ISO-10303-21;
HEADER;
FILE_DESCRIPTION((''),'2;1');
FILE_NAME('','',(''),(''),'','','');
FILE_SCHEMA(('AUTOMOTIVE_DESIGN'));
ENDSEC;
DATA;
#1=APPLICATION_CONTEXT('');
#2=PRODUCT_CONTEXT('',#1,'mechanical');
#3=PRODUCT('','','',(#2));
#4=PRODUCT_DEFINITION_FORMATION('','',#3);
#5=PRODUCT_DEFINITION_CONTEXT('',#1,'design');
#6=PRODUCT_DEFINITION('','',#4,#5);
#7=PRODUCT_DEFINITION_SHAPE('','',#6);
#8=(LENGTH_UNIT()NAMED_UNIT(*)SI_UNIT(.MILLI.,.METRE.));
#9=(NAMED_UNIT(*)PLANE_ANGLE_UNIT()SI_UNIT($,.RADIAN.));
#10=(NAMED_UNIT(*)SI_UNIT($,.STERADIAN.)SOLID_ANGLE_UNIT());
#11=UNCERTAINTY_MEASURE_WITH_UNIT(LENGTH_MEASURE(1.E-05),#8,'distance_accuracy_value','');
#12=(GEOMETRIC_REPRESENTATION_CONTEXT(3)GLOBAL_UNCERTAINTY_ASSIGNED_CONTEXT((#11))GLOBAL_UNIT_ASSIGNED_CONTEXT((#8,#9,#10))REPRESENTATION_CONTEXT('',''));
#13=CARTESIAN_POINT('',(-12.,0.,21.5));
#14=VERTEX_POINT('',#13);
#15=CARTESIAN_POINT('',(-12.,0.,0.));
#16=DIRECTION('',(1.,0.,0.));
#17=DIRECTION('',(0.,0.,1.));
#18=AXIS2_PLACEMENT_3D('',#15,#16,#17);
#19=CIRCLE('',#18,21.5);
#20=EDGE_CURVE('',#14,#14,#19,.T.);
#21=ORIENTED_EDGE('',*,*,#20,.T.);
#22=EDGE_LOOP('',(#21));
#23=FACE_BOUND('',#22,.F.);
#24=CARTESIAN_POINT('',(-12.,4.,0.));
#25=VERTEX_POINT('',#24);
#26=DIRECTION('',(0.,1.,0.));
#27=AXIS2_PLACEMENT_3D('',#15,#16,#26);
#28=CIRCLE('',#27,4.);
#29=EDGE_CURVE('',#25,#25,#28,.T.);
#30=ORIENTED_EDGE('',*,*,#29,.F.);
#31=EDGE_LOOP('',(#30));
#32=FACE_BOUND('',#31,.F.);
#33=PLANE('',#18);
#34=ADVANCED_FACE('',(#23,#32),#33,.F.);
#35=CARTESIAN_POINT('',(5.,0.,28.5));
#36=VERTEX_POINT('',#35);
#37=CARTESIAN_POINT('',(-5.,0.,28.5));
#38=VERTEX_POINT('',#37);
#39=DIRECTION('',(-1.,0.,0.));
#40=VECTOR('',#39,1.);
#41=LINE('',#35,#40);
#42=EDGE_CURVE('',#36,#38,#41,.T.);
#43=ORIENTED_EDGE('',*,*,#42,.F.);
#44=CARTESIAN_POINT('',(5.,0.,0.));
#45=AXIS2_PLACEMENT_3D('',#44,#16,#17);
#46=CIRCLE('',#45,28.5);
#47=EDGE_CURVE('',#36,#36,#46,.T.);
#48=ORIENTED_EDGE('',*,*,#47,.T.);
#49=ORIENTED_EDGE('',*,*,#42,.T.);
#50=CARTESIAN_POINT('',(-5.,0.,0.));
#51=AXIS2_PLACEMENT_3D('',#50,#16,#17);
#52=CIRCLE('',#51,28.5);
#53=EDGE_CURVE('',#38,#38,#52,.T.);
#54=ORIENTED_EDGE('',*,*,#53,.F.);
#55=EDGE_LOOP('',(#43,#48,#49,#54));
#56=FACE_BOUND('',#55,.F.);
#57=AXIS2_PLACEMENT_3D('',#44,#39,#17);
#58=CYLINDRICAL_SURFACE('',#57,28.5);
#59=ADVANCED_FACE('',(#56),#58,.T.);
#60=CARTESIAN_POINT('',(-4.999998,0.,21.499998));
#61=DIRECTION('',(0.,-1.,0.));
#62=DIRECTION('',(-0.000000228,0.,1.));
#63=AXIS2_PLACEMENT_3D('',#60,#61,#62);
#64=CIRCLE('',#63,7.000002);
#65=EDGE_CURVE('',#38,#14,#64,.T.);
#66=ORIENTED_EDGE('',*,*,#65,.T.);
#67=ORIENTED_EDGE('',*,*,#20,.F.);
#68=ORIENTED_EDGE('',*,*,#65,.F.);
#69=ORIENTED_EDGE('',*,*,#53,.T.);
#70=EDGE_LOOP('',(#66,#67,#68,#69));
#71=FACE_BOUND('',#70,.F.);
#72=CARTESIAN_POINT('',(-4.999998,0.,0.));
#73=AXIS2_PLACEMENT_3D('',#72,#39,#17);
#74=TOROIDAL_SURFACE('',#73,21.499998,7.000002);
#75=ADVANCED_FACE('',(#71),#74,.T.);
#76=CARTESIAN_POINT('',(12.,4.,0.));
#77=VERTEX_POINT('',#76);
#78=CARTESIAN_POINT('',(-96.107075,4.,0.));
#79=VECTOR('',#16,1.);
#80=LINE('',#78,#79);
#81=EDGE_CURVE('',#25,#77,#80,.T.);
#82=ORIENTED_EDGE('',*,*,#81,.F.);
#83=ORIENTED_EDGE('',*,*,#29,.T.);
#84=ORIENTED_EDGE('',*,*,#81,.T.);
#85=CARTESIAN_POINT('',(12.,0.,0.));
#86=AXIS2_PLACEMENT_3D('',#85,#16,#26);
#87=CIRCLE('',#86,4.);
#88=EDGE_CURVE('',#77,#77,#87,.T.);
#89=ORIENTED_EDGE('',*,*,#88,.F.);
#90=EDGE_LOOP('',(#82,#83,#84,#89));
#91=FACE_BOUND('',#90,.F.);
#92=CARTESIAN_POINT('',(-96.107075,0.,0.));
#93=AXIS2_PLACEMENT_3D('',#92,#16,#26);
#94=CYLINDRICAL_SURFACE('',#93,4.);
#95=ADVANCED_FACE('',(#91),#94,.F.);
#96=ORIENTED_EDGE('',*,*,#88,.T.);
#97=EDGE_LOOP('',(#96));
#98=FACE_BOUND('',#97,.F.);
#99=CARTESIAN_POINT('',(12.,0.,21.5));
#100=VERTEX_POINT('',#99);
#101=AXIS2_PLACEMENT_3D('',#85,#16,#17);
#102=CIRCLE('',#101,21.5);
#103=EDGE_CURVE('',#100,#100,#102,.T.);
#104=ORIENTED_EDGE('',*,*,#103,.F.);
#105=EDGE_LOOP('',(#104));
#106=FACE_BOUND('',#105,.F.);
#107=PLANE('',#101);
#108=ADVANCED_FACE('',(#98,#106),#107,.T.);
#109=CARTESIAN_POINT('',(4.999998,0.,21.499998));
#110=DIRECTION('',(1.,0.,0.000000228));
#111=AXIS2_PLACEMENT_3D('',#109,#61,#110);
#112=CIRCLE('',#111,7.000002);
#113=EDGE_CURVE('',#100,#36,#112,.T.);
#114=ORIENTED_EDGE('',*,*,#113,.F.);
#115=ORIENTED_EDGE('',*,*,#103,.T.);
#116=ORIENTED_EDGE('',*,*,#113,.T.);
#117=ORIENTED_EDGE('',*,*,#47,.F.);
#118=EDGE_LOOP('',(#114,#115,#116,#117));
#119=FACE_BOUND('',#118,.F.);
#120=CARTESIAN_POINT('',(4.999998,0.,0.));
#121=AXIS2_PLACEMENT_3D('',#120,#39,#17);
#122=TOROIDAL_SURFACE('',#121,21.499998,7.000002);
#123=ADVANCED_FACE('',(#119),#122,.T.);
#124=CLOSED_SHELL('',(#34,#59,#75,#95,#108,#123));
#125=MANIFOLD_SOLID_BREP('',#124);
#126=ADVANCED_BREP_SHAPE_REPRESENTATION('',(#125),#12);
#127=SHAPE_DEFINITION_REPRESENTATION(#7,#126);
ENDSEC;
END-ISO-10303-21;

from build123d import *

# Parameters (mm, degrees)
F3_D = 8


with BuildPart() as f1:
    # F0 (on Front) → F1 (revolve)
    with BuildSketch(Plane.XZ):
        with BuildLine():
            Line((-12, 0), (12, 0))
            Line((12, 0), (12, 21.5))
            ThreePointArc((12, 21.5), (9.949747, 26.449747), (5, 28.5))
            Line((5, 28.5), (-5, 28.5))
            ThreePointArc((-5, 28.5), (-9.949747, 26.449747), (-12, 21.5))
            Line((-12, 21.5), (-12, 0))
        make_face()
    revolve(axis=Axis((10.419115, 0, 0), (1, 0, 0)))

    # F3 (through all)
    with Locations(Plane(origin=(-12, 0, 0), x_dir=(0, -1, 0), z_dir=(-1, 0, 0))):
        with Locations((0, 0)):
            Hole(F3_D / 2)


solid = f1.part
